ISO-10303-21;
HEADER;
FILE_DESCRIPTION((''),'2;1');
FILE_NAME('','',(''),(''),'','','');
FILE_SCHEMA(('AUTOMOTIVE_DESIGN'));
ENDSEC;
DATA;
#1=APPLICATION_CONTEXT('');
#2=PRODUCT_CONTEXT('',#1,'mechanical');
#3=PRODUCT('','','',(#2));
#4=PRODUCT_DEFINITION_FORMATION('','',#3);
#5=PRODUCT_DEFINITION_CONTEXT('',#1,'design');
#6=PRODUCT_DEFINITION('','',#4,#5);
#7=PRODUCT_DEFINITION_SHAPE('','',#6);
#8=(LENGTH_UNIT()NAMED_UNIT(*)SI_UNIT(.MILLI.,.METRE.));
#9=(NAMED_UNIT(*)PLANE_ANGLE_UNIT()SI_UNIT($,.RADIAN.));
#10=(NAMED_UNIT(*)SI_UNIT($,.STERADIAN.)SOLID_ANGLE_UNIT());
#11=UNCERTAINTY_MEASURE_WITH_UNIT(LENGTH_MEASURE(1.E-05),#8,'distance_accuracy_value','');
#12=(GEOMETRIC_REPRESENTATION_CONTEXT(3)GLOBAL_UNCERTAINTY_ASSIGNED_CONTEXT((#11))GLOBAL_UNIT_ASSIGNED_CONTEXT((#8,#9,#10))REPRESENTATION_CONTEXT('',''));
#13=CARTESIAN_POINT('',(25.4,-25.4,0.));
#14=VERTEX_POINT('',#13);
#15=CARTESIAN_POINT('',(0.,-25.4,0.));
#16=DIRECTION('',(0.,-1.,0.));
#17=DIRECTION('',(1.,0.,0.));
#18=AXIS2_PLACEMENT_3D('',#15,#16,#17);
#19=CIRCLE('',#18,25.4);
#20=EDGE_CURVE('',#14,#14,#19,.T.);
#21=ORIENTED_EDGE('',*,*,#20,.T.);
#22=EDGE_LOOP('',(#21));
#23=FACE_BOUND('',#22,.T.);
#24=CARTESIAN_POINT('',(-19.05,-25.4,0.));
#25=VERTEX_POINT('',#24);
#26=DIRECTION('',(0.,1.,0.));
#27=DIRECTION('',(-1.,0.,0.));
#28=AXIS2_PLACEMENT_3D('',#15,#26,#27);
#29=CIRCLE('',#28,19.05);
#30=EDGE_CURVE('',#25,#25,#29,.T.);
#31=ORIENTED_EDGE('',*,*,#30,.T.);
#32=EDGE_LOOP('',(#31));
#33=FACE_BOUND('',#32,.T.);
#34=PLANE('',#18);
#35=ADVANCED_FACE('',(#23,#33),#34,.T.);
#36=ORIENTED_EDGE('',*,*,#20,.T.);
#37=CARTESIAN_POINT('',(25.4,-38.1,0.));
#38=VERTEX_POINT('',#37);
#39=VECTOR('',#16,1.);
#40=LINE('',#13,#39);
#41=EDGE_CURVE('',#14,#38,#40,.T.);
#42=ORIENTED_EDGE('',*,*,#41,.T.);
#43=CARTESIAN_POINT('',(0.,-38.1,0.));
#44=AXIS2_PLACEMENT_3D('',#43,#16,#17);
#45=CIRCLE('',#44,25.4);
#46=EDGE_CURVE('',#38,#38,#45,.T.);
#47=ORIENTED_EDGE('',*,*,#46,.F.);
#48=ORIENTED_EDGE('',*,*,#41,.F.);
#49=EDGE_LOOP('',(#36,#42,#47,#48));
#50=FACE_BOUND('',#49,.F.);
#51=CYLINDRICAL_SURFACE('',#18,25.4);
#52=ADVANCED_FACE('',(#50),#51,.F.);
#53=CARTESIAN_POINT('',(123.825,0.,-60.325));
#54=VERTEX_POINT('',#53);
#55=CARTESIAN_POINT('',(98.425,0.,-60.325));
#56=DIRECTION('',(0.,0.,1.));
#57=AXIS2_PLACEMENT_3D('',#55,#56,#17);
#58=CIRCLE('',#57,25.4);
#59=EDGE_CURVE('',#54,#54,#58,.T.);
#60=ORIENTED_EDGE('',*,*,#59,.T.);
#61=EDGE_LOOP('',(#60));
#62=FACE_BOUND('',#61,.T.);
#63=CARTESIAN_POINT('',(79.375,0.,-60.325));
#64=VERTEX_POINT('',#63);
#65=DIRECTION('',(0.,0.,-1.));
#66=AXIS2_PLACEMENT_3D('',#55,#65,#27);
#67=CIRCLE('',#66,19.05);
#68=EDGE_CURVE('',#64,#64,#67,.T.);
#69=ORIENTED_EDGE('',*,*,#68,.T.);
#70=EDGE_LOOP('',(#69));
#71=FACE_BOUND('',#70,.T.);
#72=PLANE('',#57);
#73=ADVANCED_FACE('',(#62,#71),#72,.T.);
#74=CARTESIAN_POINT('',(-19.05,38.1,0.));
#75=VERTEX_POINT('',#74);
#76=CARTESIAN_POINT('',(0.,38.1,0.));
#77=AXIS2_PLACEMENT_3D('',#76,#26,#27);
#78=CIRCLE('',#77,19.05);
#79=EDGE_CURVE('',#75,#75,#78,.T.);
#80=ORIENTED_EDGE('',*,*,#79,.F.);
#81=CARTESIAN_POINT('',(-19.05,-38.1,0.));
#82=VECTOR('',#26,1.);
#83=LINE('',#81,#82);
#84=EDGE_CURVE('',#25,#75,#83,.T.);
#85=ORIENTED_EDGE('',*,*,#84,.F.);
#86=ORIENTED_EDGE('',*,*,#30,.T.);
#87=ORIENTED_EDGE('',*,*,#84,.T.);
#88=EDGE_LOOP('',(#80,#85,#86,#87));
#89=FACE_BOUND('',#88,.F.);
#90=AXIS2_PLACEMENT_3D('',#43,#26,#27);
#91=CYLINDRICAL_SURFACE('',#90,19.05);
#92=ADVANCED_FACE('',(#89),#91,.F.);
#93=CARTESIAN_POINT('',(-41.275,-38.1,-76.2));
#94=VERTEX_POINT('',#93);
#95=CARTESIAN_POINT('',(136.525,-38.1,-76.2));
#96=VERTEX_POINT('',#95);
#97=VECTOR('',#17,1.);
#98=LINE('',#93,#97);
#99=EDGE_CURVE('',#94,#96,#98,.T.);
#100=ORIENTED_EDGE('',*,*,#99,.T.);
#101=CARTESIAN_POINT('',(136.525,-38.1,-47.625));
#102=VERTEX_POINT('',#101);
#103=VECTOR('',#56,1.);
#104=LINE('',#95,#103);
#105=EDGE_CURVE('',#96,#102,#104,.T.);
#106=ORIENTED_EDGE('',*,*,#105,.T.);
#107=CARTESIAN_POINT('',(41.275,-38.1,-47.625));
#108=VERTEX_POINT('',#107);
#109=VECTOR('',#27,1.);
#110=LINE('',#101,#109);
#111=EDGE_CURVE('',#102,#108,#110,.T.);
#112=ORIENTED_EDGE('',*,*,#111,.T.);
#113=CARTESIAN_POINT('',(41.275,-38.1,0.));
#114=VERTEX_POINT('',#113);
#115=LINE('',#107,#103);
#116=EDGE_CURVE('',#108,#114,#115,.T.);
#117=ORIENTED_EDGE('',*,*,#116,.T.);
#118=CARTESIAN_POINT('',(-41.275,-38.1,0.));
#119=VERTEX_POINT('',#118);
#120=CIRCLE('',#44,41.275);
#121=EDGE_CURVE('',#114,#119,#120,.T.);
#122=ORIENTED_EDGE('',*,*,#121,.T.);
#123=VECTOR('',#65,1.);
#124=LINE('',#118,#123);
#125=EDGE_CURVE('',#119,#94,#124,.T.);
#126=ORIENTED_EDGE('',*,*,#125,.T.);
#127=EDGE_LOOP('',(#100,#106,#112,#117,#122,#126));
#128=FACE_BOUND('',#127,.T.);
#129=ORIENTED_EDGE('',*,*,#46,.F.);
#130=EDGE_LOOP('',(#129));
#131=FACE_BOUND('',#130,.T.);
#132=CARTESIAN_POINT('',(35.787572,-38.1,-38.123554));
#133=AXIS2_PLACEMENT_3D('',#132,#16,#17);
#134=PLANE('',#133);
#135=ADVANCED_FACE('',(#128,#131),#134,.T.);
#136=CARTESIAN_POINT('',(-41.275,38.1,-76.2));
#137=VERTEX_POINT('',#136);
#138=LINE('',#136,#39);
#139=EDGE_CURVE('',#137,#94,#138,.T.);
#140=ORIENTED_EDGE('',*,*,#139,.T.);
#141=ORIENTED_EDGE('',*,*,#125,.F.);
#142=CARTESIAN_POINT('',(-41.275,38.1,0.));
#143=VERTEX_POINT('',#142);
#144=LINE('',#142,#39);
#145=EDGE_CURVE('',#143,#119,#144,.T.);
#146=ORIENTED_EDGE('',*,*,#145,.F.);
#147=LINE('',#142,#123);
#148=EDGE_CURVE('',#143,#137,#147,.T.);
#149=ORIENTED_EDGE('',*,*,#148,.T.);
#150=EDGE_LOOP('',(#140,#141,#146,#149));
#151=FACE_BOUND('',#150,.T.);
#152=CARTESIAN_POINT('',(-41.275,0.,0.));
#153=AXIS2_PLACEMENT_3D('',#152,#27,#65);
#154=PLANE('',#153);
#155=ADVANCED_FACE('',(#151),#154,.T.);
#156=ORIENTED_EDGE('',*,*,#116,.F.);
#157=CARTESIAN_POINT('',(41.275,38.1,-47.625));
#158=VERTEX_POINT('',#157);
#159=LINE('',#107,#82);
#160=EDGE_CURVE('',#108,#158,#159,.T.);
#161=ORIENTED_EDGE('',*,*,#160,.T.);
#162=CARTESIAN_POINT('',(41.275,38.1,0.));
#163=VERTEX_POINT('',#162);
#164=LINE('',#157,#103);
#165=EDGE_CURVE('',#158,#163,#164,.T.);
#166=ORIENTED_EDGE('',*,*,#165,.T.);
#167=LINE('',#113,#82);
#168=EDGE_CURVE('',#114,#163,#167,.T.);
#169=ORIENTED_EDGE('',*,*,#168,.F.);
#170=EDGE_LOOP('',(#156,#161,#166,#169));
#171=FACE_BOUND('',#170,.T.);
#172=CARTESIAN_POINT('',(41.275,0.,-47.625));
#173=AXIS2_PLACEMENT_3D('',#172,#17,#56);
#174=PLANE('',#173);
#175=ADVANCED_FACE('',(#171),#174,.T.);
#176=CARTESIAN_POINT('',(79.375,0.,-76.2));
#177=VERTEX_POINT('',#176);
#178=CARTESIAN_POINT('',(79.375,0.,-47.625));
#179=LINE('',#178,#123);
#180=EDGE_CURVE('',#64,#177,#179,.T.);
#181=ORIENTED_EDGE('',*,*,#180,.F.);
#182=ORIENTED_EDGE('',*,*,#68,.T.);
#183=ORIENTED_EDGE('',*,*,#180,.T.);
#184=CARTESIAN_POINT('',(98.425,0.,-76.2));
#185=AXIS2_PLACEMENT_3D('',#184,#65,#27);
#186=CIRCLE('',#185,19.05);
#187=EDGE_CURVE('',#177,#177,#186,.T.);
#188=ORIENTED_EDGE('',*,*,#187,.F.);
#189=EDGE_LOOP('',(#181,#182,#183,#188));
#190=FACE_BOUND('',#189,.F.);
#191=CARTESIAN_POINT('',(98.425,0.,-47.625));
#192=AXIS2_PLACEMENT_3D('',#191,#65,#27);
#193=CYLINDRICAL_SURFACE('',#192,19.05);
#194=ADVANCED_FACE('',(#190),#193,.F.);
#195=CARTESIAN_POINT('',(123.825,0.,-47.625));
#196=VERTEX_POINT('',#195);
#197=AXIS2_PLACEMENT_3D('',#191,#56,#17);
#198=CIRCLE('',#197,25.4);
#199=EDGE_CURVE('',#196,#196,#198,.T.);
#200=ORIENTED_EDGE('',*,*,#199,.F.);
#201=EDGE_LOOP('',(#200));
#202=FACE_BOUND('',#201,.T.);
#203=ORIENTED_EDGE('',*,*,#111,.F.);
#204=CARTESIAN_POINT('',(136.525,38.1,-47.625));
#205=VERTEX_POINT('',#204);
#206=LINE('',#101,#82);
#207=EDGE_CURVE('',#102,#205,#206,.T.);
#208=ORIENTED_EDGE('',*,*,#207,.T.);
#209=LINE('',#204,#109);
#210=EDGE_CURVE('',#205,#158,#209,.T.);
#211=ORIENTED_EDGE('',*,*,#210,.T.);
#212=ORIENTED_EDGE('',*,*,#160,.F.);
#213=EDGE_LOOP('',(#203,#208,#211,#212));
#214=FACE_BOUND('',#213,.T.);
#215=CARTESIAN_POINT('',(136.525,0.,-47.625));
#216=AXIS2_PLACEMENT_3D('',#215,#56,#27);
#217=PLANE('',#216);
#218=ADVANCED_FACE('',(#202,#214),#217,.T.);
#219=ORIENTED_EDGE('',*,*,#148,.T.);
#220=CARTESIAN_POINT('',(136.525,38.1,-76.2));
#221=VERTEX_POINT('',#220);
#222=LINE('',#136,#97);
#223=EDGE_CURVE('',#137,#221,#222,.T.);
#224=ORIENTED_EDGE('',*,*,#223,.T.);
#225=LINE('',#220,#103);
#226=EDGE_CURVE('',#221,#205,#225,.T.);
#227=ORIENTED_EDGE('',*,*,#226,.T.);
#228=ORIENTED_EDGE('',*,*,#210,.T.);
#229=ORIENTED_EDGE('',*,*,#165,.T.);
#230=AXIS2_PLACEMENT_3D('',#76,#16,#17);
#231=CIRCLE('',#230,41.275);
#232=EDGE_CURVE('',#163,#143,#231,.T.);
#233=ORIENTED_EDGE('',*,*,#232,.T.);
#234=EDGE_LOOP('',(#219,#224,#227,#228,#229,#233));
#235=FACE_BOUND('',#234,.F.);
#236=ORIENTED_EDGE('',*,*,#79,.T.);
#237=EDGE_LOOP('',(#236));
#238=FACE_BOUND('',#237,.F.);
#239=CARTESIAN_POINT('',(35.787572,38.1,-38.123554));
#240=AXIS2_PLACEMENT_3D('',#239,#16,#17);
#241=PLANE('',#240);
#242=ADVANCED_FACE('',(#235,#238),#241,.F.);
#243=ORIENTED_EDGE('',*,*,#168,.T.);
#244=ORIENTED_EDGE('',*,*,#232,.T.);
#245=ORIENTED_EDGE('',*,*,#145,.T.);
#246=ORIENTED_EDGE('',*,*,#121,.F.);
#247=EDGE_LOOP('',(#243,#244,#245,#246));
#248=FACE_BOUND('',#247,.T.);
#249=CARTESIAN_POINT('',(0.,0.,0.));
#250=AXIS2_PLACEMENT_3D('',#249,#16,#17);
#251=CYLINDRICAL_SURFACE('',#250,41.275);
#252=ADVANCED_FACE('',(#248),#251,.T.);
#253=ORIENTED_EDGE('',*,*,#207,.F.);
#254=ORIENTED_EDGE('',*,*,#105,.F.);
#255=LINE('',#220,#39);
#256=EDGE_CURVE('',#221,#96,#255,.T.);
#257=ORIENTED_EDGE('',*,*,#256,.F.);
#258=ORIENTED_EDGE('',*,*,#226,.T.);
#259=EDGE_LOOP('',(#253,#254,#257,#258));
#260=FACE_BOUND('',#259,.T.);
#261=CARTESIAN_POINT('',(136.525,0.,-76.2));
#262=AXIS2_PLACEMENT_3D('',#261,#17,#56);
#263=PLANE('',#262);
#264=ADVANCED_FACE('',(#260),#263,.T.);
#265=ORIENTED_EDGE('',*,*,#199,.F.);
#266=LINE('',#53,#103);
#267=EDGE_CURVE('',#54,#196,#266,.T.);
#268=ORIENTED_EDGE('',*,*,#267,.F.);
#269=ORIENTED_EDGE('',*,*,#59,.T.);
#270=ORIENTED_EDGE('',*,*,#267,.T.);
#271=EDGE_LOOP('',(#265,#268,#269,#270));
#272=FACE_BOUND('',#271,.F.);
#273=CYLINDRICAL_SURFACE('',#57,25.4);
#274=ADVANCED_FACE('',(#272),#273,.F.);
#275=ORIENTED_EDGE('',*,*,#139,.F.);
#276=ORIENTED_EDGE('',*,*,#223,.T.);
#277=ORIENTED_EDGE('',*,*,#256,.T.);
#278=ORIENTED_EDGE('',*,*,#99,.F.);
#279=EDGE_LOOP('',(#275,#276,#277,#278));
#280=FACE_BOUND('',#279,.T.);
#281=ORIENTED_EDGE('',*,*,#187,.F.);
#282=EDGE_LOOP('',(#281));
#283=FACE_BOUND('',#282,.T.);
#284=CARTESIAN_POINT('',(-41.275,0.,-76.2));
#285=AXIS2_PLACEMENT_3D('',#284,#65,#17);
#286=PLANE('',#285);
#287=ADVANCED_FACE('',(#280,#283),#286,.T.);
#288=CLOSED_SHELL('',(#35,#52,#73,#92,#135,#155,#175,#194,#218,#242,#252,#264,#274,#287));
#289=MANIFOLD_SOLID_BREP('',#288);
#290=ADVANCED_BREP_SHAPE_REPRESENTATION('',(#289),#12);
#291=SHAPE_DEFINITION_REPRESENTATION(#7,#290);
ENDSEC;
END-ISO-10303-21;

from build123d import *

# Parameters (mm, degrees)
F1_DEPTH       = 38.1
F3_D           = 38.1
F3_CBORE_D     = 50.8
F3_CBORE_DEPTH = 12.7
F5_D           = 38.1
F5_CBORE_D     = 50.8
F5_CBORE_DEPTH = 12.7


with BuildPart() as f1:
    # F0 (on Front) → F1 (new body, symmetric)
    with BuildSketch(Plane.XZ):
        with BuildLine():
            ThreePointArc((41.275, 0), (0, 41.275), (-41.275, 0))
            Line((-41.275, 0), (-41.275, -76.2))
            Line((-41.275, -76.2), (136.525, -76.2))
            Line((136.525, -76.2), (136.525, -47.625))
            Line((136.525, -47.625), (41.275, -47.625))
            Line((41.275, -47.625), (41.275, 0))
        make_face()
    extrude(amount=F1_DEPTH, both=True)

    # F3 (through all)
    with Locations(Plane.XZ.offset(38.1)):
        with Locations((0, 0)):
            CounterBoreHole(F3_D / 2, F3_CBORE_D / 2, F3_CBORE_DEPTH)

    # F5 (through all)
    with Locations(Plane.XY.offset(-47.625)):
        with Locations((98.425, 0)):
            CounterBoreHole(F5_D / 2, F5_CBORE_D / 2, F5_CBORE_DEPTH)


solid = f1.part
